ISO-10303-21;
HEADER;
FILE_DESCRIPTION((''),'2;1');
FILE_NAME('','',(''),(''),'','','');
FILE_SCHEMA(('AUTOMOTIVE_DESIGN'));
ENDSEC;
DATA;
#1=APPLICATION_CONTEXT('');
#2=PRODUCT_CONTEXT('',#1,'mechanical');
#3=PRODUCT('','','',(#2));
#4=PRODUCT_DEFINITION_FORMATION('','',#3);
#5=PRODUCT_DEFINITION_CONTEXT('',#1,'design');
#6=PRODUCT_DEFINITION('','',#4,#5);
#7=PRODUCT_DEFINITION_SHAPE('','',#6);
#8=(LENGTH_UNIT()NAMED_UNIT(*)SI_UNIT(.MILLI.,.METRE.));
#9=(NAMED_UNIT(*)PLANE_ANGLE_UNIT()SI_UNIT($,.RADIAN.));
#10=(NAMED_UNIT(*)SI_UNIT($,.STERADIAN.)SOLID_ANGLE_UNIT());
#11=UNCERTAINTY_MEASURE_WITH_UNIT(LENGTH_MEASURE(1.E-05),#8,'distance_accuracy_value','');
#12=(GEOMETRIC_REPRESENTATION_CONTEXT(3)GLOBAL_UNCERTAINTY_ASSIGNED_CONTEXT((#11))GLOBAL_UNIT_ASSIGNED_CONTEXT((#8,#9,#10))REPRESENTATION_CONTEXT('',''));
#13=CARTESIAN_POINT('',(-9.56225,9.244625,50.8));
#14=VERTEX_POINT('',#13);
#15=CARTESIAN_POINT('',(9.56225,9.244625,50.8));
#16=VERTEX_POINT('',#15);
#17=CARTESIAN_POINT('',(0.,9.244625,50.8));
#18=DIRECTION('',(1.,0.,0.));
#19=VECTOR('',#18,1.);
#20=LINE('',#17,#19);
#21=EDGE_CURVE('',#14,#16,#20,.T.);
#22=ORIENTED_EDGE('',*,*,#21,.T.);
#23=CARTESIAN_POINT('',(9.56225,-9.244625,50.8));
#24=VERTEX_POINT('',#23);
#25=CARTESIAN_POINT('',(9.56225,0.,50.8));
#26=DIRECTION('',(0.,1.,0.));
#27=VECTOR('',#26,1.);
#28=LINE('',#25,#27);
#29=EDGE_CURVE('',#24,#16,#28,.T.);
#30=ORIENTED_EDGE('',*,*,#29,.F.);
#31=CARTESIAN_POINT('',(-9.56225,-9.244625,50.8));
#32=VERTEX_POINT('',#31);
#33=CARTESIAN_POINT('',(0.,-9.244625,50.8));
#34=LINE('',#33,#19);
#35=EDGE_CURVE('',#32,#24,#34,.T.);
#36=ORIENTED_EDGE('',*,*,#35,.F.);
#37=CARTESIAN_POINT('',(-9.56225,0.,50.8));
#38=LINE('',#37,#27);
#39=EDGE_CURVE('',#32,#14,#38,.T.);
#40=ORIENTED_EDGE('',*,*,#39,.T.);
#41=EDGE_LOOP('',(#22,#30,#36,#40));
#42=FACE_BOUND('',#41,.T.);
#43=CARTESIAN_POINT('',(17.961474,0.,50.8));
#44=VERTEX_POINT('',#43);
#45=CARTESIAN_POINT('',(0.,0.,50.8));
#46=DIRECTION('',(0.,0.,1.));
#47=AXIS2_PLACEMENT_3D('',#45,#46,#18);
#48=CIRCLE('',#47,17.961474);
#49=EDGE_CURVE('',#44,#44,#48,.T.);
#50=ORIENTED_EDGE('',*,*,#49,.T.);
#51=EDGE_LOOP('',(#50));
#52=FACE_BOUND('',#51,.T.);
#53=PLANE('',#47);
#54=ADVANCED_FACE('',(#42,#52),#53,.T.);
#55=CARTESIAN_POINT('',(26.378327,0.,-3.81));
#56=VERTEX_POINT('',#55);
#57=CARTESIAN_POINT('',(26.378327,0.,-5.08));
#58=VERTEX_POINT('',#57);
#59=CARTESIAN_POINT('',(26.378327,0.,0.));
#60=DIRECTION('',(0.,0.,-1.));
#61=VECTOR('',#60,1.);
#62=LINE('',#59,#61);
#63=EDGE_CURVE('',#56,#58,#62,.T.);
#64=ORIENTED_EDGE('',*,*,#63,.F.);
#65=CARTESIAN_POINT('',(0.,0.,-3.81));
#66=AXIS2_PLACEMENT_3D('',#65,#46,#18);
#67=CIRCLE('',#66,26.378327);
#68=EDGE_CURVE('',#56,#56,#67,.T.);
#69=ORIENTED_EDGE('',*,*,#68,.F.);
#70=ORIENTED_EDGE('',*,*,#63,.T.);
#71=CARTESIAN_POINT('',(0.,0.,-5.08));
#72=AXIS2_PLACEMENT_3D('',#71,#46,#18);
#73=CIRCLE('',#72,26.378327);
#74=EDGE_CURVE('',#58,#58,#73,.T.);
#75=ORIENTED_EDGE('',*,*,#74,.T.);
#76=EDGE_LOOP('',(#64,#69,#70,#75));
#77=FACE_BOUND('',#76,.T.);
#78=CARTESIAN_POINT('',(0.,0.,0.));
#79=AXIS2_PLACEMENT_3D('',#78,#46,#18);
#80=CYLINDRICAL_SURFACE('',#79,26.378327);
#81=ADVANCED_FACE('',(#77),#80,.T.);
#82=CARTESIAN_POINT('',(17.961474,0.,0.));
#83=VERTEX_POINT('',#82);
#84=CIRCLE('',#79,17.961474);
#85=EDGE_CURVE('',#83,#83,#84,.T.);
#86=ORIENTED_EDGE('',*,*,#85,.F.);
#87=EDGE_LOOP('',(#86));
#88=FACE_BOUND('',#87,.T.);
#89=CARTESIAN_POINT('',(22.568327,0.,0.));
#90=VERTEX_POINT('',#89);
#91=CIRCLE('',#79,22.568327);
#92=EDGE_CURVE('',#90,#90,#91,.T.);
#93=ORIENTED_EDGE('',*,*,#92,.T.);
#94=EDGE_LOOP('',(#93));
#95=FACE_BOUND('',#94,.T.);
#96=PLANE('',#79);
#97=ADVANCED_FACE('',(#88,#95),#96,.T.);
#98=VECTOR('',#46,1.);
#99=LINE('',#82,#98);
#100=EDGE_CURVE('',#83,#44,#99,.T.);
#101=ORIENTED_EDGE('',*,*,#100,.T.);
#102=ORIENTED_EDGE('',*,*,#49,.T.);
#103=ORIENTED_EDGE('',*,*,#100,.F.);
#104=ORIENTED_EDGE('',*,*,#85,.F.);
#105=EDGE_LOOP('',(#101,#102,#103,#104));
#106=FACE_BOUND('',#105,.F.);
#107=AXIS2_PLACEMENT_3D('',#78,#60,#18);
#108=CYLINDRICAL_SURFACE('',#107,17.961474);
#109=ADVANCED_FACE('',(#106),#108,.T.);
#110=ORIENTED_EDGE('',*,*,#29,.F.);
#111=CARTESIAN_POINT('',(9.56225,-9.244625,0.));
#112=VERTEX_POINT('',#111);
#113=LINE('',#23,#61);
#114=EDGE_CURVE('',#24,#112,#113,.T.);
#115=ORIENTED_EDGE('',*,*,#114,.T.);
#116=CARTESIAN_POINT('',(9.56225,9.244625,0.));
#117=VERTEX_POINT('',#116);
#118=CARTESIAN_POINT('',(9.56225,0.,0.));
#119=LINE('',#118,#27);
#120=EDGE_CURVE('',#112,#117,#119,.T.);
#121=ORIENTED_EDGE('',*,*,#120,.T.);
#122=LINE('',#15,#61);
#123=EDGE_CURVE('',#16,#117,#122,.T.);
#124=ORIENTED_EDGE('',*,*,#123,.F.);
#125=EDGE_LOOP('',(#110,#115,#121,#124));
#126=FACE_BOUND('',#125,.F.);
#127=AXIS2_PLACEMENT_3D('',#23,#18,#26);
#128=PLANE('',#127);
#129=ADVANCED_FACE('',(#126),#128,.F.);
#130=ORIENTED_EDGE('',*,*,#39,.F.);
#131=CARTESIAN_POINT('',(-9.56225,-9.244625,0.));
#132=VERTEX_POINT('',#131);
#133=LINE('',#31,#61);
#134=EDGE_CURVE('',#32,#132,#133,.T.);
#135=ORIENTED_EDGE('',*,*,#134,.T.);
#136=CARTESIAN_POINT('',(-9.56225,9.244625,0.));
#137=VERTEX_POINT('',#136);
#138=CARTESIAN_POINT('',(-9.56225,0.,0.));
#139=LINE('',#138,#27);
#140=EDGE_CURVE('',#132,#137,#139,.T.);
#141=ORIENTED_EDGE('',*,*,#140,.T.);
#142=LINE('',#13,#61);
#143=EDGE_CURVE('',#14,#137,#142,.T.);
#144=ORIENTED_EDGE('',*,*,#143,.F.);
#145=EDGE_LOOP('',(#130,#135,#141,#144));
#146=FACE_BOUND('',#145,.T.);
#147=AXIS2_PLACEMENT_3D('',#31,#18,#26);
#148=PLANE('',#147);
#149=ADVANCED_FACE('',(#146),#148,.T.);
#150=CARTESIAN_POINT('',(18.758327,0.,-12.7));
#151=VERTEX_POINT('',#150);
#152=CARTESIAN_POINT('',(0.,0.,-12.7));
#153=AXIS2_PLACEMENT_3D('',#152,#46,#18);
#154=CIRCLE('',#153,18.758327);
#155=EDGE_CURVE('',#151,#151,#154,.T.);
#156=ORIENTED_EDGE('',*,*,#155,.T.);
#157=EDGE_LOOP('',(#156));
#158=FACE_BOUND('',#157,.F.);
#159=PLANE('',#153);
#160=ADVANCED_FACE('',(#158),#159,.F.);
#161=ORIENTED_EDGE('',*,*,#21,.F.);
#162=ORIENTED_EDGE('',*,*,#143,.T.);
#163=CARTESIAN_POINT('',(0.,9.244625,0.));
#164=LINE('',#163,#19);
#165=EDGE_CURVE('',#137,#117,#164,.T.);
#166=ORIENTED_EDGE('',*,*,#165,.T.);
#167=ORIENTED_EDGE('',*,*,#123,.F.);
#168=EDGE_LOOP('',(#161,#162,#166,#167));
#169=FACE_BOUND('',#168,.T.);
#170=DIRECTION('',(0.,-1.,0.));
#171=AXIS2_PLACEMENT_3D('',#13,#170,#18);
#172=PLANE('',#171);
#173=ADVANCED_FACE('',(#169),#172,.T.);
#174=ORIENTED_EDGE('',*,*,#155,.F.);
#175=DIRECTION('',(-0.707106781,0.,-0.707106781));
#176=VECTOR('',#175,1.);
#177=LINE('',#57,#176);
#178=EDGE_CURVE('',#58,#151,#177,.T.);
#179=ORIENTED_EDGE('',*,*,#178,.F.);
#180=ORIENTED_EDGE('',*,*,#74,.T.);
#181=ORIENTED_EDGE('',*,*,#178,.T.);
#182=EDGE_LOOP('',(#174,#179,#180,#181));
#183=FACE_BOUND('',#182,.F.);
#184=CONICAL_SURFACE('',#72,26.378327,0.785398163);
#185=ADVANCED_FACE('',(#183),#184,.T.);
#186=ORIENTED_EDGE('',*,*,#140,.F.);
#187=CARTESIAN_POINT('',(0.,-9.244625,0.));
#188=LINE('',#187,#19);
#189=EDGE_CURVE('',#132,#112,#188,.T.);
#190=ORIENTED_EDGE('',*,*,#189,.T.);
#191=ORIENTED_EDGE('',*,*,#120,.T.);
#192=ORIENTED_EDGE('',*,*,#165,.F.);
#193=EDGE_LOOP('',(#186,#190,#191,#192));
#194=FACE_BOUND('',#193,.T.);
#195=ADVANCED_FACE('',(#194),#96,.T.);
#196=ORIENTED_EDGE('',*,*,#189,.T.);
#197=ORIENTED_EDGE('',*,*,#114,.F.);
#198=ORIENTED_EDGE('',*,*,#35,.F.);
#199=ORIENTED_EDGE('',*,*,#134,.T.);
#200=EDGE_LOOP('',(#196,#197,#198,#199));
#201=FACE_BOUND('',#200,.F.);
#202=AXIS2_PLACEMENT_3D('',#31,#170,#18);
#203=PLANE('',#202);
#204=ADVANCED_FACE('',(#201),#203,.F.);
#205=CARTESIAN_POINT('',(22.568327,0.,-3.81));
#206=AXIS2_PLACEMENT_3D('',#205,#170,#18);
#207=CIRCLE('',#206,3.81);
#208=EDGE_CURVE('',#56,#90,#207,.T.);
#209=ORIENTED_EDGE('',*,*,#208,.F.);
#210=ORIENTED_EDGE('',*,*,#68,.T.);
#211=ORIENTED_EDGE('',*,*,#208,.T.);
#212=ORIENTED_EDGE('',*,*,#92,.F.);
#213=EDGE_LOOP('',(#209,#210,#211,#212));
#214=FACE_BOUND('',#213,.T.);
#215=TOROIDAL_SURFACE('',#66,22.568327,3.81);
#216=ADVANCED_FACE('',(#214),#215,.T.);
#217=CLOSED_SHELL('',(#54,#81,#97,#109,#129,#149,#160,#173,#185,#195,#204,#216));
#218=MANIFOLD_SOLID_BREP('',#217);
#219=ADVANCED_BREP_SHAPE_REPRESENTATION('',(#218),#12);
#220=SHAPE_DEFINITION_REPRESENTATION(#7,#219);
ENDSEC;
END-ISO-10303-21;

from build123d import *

# Parameters (mm, degrees)
F0_R     = 26.378327
F1_DEPTH = 12.7
F2_R     = 3.81
F3_SIZE  = 7.62
F4_R     = 17.961474
F5_DEPTH = 50.8
F6_W     = 19.1245
F6_H     = 18.48925
F7_DEPTH = 50.8


with BuildPart() as f1:
    # F0 (on Top) → F1 (new body)
    with BuildSketch(Plane.XY):
        Circle(F0_R)
    extrude(amount=-F1_DEPTH)

    # F2
    f2_edges = [f1.edges().sort_by_distance(p)[0] for p in [
        (-26.378327, 0, 0),
    ]]
    fillet(f2_edges, radius=F2_R)

    # F3
    f3_edges = [f1.edges().sort_by_distance(p)[0] for p in [
        (-26.378327, 0, -12.7),
    ]]
    chamfer(f3_edges, length=F3_SIZE)

    # F4 (on face) → F5 (join)
    with BuildSketch(Plane.XY):
        Circle(F4_R)
    extrude(amount=F5_DEPTH)

    # F6 (on face) → F7 (cut)
    with BuildSketch(Plane.XY.offset(50.8)):
        Rectangle(F6_W, F6_H)
    extrude(amount=-F7_DEPTH, mode=Mode.SUBTRACT)


solid = f1.part
